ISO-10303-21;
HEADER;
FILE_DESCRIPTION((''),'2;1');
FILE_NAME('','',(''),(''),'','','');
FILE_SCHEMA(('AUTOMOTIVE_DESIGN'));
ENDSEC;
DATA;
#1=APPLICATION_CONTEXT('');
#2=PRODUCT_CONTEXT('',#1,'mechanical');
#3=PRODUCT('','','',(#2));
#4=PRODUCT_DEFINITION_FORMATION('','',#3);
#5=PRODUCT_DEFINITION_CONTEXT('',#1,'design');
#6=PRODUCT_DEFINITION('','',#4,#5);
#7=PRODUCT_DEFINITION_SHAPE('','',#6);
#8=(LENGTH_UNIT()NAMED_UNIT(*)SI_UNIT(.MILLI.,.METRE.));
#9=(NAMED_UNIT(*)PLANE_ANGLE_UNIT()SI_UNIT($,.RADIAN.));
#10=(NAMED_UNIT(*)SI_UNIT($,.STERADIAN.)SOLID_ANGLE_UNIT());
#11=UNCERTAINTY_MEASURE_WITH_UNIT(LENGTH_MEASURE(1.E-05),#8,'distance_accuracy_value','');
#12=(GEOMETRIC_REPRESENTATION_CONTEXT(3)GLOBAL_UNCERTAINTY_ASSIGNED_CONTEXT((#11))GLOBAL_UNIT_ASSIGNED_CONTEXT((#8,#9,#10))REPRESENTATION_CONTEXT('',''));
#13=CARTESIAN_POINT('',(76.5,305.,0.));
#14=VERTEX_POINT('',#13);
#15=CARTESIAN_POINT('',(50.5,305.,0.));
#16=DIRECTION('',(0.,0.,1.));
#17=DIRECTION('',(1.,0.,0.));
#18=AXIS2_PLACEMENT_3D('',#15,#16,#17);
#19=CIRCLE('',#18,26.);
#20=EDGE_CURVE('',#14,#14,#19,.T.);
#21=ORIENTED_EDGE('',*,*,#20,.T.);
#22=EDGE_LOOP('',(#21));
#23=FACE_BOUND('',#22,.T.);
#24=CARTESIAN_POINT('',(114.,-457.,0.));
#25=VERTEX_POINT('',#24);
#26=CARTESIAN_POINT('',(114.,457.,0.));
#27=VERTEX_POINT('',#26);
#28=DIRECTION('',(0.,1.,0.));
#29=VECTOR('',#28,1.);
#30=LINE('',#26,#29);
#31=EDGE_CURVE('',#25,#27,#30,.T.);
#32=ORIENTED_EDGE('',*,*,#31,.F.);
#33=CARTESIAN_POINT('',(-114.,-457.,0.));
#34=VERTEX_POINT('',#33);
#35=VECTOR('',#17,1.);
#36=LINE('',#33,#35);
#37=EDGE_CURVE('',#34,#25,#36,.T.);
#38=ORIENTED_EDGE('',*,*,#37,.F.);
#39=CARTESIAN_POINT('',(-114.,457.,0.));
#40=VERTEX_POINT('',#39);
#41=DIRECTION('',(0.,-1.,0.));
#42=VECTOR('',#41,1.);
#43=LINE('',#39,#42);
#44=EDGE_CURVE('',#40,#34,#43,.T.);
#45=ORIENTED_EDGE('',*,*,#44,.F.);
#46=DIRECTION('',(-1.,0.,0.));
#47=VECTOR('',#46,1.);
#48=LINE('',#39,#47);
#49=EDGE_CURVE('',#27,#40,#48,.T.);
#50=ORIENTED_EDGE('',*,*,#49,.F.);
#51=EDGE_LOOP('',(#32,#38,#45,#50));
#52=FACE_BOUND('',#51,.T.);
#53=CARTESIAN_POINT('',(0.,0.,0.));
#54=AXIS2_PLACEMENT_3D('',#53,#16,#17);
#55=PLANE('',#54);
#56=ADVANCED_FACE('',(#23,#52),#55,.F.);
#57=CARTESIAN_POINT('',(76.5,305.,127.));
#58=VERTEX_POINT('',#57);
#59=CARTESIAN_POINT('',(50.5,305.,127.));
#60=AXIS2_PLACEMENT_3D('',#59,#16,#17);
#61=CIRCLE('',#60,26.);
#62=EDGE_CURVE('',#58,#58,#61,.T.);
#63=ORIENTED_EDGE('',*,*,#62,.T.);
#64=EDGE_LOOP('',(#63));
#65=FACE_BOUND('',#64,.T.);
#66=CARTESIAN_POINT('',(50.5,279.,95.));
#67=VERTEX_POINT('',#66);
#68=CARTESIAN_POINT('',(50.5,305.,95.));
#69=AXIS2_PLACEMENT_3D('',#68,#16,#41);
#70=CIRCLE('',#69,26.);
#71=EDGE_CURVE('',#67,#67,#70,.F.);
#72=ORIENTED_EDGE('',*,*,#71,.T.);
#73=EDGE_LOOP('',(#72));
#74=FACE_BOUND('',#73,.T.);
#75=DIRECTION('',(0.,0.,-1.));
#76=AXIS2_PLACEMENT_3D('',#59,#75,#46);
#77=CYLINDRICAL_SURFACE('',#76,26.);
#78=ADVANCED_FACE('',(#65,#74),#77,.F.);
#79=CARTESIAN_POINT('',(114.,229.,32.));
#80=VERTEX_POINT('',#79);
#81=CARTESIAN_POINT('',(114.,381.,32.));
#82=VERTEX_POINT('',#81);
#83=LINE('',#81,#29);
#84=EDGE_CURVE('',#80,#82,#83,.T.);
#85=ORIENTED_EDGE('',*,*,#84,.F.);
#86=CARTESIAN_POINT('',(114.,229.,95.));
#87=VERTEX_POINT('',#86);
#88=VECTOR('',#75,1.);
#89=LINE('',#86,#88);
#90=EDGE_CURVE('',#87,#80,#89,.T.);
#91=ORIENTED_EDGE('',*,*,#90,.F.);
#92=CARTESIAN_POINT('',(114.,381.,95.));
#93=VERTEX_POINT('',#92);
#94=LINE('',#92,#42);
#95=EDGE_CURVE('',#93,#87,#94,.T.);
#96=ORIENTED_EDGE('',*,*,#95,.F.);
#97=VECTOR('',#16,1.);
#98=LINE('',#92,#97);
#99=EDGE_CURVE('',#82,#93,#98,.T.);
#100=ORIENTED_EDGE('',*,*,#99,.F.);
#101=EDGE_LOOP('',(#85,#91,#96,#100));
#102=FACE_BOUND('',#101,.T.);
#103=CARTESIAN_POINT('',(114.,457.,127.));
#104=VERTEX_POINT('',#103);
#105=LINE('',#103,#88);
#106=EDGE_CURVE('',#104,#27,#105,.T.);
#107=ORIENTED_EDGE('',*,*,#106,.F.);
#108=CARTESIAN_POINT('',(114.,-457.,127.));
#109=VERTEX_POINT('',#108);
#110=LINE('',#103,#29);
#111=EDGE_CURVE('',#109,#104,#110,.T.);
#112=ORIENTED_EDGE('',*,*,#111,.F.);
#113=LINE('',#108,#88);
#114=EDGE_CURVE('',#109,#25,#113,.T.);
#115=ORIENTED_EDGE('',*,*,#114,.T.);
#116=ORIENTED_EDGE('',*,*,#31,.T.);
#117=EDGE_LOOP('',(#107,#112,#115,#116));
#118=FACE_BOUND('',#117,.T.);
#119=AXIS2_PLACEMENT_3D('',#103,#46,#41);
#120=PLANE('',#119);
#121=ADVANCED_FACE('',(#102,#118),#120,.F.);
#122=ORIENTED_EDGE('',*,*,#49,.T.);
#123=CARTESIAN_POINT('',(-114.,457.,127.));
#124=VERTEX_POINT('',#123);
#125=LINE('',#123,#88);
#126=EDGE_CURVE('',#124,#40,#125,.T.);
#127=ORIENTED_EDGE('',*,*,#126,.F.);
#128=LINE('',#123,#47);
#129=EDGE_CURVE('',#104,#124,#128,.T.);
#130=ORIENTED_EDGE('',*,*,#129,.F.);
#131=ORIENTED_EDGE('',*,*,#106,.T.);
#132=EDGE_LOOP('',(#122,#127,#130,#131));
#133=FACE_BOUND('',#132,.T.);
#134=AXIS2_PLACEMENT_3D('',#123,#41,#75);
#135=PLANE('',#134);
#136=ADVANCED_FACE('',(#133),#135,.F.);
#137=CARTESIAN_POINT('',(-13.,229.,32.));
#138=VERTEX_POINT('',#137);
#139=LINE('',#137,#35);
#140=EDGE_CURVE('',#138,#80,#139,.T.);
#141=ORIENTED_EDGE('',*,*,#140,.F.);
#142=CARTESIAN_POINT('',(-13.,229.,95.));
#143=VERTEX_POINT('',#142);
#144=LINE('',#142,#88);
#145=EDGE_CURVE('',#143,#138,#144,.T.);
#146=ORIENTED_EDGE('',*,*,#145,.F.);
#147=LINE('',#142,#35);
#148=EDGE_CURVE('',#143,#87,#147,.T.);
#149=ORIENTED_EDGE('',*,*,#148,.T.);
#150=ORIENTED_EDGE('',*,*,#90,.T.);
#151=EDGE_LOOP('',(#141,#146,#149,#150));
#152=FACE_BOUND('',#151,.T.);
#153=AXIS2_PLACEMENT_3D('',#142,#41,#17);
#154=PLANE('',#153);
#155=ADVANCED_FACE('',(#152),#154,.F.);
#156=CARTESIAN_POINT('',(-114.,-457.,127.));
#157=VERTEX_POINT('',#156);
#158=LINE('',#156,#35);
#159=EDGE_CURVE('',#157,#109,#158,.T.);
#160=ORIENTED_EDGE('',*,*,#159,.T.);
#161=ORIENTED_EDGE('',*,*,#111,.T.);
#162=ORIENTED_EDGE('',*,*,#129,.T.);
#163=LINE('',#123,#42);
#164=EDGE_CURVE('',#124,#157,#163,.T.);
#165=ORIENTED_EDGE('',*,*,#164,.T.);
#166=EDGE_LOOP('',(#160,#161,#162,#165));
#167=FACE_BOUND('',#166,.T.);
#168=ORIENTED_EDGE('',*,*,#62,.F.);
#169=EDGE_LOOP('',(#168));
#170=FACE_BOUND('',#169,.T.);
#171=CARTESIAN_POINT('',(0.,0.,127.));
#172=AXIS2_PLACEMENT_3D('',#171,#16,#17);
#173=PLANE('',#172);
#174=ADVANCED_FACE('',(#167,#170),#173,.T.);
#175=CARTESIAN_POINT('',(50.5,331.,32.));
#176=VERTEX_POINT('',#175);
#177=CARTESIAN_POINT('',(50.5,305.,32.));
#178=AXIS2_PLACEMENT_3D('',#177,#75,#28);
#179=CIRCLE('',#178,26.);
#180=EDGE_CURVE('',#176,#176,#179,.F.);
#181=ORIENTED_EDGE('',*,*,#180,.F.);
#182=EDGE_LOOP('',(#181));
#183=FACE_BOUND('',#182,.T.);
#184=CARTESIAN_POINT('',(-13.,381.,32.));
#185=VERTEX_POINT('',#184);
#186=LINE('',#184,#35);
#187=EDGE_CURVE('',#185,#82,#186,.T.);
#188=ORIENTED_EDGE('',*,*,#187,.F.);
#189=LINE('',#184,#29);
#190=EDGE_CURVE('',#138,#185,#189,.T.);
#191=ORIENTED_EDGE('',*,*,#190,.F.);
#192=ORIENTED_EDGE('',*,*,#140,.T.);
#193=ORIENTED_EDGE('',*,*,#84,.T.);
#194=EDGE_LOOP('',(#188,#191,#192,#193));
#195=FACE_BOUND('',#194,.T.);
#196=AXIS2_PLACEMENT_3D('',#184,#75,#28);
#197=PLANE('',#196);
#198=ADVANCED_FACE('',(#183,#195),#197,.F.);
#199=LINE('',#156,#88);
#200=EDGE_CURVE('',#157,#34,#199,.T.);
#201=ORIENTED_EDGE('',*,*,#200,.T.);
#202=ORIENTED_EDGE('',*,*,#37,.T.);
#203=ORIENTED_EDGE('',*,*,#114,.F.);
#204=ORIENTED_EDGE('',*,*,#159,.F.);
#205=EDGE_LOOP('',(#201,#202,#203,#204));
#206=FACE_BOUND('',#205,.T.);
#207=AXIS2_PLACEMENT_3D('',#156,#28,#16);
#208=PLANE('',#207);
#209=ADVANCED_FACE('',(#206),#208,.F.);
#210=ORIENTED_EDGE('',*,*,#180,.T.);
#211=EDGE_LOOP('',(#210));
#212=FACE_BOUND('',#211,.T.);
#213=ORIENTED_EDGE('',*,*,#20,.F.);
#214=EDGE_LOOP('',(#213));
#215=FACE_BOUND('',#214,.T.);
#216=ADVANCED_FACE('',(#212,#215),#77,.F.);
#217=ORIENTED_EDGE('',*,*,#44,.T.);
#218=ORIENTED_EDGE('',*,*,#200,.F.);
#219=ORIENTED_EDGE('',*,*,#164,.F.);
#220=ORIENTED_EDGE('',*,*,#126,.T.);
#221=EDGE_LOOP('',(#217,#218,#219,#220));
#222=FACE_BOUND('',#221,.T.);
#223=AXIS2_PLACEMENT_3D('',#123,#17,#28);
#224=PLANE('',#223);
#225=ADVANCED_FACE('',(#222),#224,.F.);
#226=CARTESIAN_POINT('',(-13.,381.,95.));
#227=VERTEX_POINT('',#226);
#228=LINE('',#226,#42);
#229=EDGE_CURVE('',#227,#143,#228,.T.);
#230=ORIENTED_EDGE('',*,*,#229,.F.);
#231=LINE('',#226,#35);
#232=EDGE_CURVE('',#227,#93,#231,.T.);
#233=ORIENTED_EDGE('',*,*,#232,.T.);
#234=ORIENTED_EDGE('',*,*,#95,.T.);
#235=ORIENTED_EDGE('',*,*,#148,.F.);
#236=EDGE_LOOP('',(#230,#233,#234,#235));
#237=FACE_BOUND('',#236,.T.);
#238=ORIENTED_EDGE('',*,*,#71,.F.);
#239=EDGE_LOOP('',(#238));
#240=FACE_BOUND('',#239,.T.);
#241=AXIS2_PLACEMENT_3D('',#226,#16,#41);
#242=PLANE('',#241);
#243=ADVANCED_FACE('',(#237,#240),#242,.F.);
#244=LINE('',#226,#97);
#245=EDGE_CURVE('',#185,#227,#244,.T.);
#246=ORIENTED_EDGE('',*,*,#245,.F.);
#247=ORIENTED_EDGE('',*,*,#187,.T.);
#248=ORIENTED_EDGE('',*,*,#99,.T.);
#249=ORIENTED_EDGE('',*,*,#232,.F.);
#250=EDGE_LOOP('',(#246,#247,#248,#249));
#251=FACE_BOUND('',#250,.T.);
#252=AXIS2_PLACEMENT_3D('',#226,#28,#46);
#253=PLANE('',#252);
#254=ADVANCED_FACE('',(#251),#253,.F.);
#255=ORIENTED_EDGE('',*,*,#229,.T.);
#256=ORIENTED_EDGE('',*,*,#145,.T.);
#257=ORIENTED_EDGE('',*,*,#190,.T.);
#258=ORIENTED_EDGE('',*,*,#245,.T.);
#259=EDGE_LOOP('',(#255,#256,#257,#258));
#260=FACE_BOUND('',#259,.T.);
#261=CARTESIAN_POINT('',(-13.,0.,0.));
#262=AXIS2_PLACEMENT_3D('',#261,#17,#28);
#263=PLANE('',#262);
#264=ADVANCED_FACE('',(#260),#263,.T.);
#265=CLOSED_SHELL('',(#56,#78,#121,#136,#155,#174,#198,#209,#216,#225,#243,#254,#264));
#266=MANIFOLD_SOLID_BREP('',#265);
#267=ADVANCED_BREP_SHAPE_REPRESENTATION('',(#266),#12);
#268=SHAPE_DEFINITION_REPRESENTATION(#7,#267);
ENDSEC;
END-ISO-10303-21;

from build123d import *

# Parameters (mm, degrees)
SKETCH3_W           = 228
SKETCH3_H           = 914
BOSS_EXTRUDE2_DEPTH = 127
SKETCH4_W           = 63
SKETCH4_H           = 152
CUT_EXTRUDE1_DEPTH  = 127
SKETCH6_R           = 26
CUT_EXTRUDE2_DEPTH  = 127


with BuildPart() as part:
    # Sketch3 → Boss-Extrude2 (new body)
    with BuildSketch(Plane.XY):
        Rectangle(SKETCH3_W, SKETCH3_H)
    extrude(amount=BOSS_EXTRUDE2_DEPTH)

    # Sketch4 → Cut-Extrude1 (cut)
    with BuildSketch(Plane(origin=(114, 0, 0), x_dir=(0, 0, -1), z_dir=(1, 0, 0))):
        with Locations((-63.5, 305)):
            Rectangle(SKETCH4_W, SKETCH4_H)
    extrude(amount=-CUT_EXTRUDE1_DEPTH, mode=Mode.SUBTRACT)

    # Sketch6 → Cut-Extrude2 (cut)
    with BuildSketch(Plane.XY):
        with Locations((50.5, 305)):
            Circle(SKETCH6_R)
    extrude(amount=CUT_EXTRUDE2_DEPTH, mode=Mode.SUBTRACT)


solid = part.part
